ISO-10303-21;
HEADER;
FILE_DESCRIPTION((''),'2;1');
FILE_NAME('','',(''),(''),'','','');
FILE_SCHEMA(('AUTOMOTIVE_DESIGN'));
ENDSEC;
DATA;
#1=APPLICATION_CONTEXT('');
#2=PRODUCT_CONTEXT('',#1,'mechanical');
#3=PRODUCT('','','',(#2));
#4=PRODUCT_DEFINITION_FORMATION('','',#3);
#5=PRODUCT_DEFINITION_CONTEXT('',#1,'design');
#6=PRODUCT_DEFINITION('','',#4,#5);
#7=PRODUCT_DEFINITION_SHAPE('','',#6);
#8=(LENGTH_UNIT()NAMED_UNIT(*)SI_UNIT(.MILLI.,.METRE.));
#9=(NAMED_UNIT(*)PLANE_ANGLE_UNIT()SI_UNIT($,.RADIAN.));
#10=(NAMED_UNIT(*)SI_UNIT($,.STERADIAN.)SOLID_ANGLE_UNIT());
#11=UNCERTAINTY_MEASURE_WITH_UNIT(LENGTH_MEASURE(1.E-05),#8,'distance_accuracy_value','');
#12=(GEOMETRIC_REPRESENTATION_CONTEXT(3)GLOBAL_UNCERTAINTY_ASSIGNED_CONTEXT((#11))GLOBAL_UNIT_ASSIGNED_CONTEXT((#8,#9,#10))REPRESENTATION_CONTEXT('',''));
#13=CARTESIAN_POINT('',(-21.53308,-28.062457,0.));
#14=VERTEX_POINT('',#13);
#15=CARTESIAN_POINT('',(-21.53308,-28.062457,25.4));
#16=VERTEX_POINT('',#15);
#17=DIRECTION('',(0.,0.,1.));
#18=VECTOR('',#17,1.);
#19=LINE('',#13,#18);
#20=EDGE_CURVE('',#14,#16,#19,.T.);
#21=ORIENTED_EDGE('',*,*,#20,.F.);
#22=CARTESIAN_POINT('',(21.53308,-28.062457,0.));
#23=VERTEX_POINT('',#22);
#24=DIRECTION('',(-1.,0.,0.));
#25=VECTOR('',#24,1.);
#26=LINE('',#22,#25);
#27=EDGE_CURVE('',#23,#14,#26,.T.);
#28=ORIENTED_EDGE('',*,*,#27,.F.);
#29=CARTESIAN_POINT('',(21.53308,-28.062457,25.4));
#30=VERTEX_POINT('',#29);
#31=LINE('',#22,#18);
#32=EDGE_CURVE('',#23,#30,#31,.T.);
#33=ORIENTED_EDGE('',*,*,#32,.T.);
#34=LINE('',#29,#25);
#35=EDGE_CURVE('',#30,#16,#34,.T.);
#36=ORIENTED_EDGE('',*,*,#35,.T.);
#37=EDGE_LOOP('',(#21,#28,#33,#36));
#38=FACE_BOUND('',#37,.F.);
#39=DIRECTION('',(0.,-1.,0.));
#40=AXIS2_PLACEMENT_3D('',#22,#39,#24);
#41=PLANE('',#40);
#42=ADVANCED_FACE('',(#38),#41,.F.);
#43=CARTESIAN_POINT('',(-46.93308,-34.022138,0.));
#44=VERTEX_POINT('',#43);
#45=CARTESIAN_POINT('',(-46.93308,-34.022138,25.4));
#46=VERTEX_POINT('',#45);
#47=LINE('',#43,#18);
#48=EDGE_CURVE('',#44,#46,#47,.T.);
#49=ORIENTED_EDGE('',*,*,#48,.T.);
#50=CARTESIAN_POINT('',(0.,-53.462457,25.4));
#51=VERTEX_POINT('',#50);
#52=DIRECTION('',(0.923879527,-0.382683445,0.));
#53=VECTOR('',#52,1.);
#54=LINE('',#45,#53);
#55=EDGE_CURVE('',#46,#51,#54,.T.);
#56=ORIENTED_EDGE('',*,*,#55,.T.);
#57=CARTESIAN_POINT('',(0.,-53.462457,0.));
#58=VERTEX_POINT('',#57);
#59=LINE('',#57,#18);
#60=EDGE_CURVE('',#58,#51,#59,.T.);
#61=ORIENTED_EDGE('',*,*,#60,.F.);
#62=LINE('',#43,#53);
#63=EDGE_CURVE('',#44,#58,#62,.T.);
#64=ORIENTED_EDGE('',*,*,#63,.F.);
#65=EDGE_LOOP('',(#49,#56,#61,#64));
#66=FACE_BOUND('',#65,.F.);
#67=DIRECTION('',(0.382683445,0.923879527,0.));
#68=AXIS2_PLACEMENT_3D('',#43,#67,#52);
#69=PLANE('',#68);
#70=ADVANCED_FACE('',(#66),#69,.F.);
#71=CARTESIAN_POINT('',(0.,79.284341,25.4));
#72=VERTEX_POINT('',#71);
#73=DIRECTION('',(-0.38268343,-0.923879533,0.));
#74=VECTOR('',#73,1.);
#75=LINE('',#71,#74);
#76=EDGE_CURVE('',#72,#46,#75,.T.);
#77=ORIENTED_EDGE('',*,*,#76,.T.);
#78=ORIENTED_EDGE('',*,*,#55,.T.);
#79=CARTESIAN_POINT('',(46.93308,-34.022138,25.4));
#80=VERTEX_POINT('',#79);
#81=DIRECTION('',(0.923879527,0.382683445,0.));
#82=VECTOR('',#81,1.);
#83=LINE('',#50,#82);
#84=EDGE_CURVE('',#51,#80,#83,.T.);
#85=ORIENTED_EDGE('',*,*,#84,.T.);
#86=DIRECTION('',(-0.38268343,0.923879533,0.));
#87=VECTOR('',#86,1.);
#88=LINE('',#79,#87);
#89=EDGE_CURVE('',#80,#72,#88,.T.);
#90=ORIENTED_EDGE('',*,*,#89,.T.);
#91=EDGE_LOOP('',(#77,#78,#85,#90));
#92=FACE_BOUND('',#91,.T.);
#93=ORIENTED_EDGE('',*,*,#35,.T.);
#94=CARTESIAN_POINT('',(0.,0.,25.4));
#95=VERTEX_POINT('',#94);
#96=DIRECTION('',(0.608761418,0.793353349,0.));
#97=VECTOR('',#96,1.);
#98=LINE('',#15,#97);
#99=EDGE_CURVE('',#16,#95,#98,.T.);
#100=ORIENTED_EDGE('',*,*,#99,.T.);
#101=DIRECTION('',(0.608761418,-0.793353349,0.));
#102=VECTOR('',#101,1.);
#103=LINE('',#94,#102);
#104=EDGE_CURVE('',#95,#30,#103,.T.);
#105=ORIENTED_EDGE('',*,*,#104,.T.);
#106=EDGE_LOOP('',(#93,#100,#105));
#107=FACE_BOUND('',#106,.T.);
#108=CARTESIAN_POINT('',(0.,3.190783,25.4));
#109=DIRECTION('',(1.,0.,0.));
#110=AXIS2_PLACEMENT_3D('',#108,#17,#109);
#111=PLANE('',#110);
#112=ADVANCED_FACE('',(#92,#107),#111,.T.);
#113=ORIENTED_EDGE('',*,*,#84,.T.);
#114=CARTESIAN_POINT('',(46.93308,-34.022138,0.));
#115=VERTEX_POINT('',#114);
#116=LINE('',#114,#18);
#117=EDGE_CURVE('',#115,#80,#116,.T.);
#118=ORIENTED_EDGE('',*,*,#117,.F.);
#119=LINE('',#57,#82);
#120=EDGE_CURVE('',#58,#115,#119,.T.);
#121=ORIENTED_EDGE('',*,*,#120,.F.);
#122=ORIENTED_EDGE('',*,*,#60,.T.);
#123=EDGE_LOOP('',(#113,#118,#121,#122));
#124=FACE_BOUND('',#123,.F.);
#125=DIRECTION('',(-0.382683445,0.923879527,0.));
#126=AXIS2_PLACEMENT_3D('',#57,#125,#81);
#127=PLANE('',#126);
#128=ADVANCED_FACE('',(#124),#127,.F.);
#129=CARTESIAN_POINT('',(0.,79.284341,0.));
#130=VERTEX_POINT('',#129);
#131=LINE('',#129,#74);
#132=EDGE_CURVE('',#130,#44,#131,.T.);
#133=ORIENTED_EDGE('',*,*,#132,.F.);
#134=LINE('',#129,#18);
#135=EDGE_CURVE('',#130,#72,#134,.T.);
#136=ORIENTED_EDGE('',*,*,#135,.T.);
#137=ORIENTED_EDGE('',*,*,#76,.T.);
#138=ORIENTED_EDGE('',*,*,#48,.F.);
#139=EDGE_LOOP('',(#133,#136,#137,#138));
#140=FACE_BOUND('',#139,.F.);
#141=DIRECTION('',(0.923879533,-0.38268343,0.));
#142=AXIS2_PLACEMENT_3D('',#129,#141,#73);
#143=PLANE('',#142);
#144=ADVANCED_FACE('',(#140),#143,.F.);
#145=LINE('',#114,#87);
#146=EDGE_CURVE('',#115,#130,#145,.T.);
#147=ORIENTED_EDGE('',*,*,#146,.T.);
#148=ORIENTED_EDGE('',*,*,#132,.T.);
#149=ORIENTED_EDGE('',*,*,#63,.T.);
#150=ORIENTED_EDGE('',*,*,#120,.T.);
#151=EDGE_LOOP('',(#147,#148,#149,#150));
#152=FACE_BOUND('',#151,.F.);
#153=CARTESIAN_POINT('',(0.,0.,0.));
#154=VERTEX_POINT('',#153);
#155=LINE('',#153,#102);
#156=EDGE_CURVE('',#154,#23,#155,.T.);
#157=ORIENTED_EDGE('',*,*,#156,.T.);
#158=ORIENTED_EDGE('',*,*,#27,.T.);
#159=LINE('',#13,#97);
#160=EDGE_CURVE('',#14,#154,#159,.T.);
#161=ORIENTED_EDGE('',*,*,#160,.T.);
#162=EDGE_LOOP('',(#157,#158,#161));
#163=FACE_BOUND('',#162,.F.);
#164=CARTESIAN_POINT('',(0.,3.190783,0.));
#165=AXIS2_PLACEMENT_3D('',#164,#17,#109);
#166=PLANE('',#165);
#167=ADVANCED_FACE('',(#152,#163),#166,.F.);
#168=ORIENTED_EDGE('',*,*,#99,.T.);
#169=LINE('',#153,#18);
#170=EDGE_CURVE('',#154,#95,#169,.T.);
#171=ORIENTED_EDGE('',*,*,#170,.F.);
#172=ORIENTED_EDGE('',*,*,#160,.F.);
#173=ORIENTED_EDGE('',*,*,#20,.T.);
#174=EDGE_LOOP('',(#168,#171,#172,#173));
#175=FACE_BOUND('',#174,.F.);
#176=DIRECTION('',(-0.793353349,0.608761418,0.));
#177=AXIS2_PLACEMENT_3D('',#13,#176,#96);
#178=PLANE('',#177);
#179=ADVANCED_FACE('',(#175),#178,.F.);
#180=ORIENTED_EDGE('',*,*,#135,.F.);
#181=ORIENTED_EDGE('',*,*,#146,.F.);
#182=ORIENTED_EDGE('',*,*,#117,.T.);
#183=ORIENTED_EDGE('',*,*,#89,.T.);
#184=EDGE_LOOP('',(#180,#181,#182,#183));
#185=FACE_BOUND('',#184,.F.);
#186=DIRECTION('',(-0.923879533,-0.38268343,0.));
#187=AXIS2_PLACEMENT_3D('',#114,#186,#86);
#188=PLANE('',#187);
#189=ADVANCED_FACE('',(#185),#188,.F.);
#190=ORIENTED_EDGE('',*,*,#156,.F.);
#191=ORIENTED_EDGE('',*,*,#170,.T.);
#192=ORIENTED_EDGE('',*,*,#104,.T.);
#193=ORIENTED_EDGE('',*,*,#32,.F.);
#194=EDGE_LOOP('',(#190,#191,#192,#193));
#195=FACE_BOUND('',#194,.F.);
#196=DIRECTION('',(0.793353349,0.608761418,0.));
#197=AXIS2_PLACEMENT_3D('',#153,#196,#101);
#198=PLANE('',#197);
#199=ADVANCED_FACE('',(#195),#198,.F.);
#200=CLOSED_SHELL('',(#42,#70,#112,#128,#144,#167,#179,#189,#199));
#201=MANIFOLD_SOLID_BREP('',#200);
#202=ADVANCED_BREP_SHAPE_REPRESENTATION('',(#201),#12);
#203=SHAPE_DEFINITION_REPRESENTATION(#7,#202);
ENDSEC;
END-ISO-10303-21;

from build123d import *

# Parameters (mm, degrees)
F1_DEPTH = 25.4


with BuildPart() as f1:
    # F0 (on Top) → F1 (new body)
    with BuildSketch(Plane.XY):
        Polygon((0, 79.284341), (-46.93308, -34.022138), (0, -53.462457), (46.93308, -34.022138), align=None)
        Polygon((-21.53308, -28.062457), (0, 0), (21.53308, -28.062457), align=None, mode=Mode.SUBTRACT)
    extrude(amount=F1_DEPTH)


solid = f1.part
